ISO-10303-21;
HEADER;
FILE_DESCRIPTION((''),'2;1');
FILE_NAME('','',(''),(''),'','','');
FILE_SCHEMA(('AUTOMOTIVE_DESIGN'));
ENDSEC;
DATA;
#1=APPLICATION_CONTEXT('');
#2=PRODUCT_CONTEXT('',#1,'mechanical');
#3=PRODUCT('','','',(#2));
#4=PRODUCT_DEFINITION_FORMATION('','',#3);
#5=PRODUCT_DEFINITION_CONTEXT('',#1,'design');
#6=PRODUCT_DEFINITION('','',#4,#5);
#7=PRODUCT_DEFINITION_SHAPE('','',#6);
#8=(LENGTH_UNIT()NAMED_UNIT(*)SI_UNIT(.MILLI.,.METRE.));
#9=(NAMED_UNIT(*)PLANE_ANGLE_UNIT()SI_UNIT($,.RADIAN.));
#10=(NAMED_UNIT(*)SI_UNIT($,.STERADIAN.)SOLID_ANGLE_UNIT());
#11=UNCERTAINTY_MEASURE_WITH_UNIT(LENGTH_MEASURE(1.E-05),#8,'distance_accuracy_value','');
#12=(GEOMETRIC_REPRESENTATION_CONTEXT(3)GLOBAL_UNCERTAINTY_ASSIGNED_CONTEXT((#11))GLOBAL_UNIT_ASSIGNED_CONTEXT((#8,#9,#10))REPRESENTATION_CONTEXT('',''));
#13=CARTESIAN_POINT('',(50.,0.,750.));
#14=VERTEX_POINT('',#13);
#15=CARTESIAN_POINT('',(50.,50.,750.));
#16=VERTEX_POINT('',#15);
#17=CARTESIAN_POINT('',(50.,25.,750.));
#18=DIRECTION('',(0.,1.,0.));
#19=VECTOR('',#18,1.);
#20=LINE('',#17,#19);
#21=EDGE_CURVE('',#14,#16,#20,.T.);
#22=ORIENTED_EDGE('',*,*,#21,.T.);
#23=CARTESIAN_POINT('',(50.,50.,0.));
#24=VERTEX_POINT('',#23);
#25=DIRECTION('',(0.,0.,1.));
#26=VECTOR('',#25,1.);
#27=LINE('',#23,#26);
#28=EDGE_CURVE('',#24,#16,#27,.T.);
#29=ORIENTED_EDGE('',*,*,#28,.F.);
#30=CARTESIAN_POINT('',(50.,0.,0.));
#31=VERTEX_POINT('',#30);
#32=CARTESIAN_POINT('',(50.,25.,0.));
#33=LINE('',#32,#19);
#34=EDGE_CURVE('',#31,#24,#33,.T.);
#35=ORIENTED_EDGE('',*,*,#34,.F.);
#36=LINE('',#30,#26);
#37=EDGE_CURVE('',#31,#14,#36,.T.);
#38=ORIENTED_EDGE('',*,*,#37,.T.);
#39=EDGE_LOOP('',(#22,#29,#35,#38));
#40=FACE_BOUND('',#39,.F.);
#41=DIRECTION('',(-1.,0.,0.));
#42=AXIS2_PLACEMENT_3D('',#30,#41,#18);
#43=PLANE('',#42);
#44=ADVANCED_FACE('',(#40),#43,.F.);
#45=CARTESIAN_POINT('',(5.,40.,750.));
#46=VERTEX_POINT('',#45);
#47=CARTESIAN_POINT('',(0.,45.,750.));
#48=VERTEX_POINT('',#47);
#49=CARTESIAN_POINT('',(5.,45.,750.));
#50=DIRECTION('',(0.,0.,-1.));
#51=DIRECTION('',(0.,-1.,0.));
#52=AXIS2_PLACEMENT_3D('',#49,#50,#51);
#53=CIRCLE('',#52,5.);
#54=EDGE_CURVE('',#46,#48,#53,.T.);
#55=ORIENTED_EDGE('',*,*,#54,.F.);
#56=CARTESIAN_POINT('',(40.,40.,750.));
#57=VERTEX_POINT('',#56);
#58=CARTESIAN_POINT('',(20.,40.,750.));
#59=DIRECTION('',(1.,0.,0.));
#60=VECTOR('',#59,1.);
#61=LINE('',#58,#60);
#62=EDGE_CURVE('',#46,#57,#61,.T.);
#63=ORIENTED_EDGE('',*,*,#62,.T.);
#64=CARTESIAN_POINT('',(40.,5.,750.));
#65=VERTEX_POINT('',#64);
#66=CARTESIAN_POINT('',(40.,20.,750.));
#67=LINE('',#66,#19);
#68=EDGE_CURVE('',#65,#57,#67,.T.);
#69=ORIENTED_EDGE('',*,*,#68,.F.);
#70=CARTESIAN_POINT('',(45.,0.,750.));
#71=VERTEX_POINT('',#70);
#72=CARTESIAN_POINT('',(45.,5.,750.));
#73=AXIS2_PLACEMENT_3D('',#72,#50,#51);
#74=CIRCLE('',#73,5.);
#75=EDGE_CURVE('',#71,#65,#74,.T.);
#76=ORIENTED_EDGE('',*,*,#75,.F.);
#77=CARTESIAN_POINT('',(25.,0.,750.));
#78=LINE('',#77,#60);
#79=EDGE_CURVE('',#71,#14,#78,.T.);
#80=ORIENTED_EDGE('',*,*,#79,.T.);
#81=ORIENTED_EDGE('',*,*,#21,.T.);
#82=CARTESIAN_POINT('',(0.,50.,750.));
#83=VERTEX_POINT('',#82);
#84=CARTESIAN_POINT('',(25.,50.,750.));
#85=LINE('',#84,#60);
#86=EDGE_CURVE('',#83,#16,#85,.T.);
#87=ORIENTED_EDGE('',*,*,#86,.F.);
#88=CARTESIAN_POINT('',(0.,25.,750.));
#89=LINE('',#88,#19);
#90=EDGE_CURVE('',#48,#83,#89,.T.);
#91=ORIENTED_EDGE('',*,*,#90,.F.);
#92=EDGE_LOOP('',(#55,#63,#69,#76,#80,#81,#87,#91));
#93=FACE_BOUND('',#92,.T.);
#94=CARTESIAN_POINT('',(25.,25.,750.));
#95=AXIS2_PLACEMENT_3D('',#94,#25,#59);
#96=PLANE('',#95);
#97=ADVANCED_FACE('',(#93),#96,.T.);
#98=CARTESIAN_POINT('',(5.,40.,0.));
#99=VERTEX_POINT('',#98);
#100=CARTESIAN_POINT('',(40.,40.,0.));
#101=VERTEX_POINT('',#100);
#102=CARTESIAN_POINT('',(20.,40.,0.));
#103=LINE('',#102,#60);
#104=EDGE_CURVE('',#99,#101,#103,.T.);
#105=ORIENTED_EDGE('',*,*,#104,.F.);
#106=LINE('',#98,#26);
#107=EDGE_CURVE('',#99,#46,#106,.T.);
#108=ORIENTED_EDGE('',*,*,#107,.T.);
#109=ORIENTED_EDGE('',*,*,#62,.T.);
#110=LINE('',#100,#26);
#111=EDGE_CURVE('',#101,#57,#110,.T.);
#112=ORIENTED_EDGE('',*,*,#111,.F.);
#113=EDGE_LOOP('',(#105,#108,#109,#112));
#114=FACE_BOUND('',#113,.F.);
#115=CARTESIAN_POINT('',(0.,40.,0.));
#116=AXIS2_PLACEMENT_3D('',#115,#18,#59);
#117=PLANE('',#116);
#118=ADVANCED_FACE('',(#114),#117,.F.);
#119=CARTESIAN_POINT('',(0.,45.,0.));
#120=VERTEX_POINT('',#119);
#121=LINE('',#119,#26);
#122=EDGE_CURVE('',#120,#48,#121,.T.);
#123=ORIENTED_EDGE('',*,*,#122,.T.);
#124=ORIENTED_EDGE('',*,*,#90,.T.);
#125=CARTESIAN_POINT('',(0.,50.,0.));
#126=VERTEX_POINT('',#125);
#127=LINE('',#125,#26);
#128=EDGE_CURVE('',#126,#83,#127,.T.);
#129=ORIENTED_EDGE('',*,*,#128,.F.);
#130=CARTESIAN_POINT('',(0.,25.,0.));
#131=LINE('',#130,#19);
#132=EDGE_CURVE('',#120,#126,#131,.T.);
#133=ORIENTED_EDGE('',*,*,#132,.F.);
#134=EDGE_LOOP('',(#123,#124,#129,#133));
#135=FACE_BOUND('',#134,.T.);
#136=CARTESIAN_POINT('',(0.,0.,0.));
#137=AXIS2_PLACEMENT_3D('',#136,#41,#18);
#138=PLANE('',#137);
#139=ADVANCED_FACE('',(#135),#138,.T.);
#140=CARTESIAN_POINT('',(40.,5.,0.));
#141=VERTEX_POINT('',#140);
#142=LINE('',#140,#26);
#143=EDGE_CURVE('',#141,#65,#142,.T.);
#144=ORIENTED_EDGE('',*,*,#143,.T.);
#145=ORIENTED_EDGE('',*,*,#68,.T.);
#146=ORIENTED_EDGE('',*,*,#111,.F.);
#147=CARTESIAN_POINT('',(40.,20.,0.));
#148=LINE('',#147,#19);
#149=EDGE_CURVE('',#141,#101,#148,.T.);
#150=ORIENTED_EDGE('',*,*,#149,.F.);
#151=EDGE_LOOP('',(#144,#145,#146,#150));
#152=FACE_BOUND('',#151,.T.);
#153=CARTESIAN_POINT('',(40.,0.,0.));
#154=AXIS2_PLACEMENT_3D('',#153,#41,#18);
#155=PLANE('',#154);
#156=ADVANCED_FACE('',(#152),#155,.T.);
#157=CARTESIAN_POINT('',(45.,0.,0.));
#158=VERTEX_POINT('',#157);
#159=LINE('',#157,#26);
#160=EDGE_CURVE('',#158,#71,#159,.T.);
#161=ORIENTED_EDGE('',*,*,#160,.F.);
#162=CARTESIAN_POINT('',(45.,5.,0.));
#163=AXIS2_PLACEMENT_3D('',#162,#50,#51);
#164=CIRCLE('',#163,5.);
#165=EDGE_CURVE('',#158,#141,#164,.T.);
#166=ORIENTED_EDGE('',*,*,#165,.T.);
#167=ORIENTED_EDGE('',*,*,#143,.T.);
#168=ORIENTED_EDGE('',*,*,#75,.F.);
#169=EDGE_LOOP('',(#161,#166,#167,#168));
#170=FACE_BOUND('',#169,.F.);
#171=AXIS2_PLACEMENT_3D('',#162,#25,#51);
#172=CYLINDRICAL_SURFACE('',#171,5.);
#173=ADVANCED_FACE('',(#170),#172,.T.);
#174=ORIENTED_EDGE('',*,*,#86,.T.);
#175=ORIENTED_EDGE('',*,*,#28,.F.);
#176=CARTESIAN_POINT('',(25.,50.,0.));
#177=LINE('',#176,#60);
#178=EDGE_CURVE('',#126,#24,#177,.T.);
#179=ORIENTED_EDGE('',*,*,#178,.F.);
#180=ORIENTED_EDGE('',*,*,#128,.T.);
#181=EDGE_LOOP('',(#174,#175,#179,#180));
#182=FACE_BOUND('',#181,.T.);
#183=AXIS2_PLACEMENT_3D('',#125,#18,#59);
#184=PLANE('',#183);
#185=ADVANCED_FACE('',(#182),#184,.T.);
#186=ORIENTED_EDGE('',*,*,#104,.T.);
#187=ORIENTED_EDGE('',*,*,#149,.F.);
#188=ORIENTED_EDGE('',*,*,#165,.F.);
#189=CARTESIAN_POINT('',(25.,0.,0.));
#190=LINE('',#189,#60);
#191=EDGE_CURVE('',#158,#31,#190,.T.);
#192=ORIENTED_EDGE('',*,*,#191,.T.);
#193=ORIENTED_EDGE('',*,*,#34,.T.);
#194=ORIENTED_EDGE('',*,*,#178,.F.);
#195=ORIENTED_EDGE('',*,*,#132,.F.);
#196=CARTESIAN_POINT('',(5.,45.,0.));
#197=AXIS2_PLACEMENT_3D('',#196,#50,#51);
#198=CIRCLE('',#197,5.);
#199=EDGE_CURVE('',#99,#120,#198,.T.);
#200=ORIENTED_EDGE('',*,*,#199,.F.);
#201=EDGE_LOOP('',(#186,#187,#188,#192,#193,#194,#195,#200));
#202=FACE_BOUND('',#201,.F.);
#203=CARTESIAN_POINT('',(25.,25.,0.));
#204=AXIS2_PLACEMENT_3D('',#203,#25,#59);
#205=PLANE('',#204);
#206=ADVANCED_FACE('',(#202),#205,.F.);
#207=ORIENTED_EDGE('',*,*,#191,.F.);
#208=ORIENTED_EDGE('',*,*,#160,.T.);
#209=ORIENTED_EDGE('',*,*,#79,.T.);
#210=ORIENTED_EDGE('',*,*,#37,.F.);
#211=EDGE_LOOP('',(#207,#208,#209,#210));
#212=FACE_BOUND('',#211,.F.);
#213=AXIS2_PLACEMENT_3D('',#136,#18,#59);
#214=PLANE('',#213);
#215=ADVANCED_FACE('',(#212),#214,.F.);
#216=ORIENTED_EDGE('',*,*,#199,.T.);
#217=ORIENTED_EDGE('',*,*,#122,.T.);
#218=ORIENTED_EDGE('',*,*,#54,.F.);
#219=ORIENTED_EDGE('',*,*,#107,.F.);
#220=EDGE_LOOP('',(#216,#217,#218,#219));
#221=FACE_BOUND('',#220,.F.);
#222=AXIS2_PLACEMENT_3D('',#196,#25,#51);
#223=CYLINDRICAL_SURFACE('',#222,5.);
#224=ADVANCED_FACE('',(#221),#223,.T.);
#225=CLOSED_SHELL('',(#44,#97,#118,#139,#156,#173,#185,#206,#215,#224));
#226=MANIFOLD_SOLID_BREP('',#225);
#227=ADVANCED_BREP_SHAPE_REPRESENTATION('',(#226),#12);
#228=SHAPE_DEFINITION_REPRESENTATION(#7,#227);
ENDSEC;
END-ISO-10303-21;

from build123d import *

# Parameters (mm, degrees)
BOX001_W     = 40
BOX001_H     = 40
BOX001_DEPTH = 750
BOX_W        = 50
BOX_H        = 50
BOX_DEPTH    = 750
FILLET_R     = 5
FILLET001_R  = 5


with BuildPart() as box001:
    # Box001 → Box001 (new body)
    with BuildSketch(Plane.XY):
        with Locations((20, 20)):
            Rectangle(BOX001_W, BOX001_H)
    extrude(amount=BOX001_DEPTH)


with BuildPart() as fillet001:
    # Box → Box (new body)
    with BuildSketch(Plane.XY):
        with Locations((25, 25)):
            Rectangle(BOX_W, BOX_H)
    extrude(amount=BOX_DEPTH)

    # Cut: cut Box001
    add(box001.part, mode=Mode.SUBTRACT)

    # Fillet
    fillet_edges = [fillet001.edges().sort_by_distance(p)[0] for p in [
        (40, 0, 375),
    ]]
    fillet(fillet_edges, radius=FILLET_R)

    # Fillet001
    fillet001_edges = [fillet001.edges().sort_by_distance(p)[0] for p in [
        (0, 40, 375),
    ]]
    fillet(fillet001_edges, radius=FILLET001_R)


solid = fillet001.part
